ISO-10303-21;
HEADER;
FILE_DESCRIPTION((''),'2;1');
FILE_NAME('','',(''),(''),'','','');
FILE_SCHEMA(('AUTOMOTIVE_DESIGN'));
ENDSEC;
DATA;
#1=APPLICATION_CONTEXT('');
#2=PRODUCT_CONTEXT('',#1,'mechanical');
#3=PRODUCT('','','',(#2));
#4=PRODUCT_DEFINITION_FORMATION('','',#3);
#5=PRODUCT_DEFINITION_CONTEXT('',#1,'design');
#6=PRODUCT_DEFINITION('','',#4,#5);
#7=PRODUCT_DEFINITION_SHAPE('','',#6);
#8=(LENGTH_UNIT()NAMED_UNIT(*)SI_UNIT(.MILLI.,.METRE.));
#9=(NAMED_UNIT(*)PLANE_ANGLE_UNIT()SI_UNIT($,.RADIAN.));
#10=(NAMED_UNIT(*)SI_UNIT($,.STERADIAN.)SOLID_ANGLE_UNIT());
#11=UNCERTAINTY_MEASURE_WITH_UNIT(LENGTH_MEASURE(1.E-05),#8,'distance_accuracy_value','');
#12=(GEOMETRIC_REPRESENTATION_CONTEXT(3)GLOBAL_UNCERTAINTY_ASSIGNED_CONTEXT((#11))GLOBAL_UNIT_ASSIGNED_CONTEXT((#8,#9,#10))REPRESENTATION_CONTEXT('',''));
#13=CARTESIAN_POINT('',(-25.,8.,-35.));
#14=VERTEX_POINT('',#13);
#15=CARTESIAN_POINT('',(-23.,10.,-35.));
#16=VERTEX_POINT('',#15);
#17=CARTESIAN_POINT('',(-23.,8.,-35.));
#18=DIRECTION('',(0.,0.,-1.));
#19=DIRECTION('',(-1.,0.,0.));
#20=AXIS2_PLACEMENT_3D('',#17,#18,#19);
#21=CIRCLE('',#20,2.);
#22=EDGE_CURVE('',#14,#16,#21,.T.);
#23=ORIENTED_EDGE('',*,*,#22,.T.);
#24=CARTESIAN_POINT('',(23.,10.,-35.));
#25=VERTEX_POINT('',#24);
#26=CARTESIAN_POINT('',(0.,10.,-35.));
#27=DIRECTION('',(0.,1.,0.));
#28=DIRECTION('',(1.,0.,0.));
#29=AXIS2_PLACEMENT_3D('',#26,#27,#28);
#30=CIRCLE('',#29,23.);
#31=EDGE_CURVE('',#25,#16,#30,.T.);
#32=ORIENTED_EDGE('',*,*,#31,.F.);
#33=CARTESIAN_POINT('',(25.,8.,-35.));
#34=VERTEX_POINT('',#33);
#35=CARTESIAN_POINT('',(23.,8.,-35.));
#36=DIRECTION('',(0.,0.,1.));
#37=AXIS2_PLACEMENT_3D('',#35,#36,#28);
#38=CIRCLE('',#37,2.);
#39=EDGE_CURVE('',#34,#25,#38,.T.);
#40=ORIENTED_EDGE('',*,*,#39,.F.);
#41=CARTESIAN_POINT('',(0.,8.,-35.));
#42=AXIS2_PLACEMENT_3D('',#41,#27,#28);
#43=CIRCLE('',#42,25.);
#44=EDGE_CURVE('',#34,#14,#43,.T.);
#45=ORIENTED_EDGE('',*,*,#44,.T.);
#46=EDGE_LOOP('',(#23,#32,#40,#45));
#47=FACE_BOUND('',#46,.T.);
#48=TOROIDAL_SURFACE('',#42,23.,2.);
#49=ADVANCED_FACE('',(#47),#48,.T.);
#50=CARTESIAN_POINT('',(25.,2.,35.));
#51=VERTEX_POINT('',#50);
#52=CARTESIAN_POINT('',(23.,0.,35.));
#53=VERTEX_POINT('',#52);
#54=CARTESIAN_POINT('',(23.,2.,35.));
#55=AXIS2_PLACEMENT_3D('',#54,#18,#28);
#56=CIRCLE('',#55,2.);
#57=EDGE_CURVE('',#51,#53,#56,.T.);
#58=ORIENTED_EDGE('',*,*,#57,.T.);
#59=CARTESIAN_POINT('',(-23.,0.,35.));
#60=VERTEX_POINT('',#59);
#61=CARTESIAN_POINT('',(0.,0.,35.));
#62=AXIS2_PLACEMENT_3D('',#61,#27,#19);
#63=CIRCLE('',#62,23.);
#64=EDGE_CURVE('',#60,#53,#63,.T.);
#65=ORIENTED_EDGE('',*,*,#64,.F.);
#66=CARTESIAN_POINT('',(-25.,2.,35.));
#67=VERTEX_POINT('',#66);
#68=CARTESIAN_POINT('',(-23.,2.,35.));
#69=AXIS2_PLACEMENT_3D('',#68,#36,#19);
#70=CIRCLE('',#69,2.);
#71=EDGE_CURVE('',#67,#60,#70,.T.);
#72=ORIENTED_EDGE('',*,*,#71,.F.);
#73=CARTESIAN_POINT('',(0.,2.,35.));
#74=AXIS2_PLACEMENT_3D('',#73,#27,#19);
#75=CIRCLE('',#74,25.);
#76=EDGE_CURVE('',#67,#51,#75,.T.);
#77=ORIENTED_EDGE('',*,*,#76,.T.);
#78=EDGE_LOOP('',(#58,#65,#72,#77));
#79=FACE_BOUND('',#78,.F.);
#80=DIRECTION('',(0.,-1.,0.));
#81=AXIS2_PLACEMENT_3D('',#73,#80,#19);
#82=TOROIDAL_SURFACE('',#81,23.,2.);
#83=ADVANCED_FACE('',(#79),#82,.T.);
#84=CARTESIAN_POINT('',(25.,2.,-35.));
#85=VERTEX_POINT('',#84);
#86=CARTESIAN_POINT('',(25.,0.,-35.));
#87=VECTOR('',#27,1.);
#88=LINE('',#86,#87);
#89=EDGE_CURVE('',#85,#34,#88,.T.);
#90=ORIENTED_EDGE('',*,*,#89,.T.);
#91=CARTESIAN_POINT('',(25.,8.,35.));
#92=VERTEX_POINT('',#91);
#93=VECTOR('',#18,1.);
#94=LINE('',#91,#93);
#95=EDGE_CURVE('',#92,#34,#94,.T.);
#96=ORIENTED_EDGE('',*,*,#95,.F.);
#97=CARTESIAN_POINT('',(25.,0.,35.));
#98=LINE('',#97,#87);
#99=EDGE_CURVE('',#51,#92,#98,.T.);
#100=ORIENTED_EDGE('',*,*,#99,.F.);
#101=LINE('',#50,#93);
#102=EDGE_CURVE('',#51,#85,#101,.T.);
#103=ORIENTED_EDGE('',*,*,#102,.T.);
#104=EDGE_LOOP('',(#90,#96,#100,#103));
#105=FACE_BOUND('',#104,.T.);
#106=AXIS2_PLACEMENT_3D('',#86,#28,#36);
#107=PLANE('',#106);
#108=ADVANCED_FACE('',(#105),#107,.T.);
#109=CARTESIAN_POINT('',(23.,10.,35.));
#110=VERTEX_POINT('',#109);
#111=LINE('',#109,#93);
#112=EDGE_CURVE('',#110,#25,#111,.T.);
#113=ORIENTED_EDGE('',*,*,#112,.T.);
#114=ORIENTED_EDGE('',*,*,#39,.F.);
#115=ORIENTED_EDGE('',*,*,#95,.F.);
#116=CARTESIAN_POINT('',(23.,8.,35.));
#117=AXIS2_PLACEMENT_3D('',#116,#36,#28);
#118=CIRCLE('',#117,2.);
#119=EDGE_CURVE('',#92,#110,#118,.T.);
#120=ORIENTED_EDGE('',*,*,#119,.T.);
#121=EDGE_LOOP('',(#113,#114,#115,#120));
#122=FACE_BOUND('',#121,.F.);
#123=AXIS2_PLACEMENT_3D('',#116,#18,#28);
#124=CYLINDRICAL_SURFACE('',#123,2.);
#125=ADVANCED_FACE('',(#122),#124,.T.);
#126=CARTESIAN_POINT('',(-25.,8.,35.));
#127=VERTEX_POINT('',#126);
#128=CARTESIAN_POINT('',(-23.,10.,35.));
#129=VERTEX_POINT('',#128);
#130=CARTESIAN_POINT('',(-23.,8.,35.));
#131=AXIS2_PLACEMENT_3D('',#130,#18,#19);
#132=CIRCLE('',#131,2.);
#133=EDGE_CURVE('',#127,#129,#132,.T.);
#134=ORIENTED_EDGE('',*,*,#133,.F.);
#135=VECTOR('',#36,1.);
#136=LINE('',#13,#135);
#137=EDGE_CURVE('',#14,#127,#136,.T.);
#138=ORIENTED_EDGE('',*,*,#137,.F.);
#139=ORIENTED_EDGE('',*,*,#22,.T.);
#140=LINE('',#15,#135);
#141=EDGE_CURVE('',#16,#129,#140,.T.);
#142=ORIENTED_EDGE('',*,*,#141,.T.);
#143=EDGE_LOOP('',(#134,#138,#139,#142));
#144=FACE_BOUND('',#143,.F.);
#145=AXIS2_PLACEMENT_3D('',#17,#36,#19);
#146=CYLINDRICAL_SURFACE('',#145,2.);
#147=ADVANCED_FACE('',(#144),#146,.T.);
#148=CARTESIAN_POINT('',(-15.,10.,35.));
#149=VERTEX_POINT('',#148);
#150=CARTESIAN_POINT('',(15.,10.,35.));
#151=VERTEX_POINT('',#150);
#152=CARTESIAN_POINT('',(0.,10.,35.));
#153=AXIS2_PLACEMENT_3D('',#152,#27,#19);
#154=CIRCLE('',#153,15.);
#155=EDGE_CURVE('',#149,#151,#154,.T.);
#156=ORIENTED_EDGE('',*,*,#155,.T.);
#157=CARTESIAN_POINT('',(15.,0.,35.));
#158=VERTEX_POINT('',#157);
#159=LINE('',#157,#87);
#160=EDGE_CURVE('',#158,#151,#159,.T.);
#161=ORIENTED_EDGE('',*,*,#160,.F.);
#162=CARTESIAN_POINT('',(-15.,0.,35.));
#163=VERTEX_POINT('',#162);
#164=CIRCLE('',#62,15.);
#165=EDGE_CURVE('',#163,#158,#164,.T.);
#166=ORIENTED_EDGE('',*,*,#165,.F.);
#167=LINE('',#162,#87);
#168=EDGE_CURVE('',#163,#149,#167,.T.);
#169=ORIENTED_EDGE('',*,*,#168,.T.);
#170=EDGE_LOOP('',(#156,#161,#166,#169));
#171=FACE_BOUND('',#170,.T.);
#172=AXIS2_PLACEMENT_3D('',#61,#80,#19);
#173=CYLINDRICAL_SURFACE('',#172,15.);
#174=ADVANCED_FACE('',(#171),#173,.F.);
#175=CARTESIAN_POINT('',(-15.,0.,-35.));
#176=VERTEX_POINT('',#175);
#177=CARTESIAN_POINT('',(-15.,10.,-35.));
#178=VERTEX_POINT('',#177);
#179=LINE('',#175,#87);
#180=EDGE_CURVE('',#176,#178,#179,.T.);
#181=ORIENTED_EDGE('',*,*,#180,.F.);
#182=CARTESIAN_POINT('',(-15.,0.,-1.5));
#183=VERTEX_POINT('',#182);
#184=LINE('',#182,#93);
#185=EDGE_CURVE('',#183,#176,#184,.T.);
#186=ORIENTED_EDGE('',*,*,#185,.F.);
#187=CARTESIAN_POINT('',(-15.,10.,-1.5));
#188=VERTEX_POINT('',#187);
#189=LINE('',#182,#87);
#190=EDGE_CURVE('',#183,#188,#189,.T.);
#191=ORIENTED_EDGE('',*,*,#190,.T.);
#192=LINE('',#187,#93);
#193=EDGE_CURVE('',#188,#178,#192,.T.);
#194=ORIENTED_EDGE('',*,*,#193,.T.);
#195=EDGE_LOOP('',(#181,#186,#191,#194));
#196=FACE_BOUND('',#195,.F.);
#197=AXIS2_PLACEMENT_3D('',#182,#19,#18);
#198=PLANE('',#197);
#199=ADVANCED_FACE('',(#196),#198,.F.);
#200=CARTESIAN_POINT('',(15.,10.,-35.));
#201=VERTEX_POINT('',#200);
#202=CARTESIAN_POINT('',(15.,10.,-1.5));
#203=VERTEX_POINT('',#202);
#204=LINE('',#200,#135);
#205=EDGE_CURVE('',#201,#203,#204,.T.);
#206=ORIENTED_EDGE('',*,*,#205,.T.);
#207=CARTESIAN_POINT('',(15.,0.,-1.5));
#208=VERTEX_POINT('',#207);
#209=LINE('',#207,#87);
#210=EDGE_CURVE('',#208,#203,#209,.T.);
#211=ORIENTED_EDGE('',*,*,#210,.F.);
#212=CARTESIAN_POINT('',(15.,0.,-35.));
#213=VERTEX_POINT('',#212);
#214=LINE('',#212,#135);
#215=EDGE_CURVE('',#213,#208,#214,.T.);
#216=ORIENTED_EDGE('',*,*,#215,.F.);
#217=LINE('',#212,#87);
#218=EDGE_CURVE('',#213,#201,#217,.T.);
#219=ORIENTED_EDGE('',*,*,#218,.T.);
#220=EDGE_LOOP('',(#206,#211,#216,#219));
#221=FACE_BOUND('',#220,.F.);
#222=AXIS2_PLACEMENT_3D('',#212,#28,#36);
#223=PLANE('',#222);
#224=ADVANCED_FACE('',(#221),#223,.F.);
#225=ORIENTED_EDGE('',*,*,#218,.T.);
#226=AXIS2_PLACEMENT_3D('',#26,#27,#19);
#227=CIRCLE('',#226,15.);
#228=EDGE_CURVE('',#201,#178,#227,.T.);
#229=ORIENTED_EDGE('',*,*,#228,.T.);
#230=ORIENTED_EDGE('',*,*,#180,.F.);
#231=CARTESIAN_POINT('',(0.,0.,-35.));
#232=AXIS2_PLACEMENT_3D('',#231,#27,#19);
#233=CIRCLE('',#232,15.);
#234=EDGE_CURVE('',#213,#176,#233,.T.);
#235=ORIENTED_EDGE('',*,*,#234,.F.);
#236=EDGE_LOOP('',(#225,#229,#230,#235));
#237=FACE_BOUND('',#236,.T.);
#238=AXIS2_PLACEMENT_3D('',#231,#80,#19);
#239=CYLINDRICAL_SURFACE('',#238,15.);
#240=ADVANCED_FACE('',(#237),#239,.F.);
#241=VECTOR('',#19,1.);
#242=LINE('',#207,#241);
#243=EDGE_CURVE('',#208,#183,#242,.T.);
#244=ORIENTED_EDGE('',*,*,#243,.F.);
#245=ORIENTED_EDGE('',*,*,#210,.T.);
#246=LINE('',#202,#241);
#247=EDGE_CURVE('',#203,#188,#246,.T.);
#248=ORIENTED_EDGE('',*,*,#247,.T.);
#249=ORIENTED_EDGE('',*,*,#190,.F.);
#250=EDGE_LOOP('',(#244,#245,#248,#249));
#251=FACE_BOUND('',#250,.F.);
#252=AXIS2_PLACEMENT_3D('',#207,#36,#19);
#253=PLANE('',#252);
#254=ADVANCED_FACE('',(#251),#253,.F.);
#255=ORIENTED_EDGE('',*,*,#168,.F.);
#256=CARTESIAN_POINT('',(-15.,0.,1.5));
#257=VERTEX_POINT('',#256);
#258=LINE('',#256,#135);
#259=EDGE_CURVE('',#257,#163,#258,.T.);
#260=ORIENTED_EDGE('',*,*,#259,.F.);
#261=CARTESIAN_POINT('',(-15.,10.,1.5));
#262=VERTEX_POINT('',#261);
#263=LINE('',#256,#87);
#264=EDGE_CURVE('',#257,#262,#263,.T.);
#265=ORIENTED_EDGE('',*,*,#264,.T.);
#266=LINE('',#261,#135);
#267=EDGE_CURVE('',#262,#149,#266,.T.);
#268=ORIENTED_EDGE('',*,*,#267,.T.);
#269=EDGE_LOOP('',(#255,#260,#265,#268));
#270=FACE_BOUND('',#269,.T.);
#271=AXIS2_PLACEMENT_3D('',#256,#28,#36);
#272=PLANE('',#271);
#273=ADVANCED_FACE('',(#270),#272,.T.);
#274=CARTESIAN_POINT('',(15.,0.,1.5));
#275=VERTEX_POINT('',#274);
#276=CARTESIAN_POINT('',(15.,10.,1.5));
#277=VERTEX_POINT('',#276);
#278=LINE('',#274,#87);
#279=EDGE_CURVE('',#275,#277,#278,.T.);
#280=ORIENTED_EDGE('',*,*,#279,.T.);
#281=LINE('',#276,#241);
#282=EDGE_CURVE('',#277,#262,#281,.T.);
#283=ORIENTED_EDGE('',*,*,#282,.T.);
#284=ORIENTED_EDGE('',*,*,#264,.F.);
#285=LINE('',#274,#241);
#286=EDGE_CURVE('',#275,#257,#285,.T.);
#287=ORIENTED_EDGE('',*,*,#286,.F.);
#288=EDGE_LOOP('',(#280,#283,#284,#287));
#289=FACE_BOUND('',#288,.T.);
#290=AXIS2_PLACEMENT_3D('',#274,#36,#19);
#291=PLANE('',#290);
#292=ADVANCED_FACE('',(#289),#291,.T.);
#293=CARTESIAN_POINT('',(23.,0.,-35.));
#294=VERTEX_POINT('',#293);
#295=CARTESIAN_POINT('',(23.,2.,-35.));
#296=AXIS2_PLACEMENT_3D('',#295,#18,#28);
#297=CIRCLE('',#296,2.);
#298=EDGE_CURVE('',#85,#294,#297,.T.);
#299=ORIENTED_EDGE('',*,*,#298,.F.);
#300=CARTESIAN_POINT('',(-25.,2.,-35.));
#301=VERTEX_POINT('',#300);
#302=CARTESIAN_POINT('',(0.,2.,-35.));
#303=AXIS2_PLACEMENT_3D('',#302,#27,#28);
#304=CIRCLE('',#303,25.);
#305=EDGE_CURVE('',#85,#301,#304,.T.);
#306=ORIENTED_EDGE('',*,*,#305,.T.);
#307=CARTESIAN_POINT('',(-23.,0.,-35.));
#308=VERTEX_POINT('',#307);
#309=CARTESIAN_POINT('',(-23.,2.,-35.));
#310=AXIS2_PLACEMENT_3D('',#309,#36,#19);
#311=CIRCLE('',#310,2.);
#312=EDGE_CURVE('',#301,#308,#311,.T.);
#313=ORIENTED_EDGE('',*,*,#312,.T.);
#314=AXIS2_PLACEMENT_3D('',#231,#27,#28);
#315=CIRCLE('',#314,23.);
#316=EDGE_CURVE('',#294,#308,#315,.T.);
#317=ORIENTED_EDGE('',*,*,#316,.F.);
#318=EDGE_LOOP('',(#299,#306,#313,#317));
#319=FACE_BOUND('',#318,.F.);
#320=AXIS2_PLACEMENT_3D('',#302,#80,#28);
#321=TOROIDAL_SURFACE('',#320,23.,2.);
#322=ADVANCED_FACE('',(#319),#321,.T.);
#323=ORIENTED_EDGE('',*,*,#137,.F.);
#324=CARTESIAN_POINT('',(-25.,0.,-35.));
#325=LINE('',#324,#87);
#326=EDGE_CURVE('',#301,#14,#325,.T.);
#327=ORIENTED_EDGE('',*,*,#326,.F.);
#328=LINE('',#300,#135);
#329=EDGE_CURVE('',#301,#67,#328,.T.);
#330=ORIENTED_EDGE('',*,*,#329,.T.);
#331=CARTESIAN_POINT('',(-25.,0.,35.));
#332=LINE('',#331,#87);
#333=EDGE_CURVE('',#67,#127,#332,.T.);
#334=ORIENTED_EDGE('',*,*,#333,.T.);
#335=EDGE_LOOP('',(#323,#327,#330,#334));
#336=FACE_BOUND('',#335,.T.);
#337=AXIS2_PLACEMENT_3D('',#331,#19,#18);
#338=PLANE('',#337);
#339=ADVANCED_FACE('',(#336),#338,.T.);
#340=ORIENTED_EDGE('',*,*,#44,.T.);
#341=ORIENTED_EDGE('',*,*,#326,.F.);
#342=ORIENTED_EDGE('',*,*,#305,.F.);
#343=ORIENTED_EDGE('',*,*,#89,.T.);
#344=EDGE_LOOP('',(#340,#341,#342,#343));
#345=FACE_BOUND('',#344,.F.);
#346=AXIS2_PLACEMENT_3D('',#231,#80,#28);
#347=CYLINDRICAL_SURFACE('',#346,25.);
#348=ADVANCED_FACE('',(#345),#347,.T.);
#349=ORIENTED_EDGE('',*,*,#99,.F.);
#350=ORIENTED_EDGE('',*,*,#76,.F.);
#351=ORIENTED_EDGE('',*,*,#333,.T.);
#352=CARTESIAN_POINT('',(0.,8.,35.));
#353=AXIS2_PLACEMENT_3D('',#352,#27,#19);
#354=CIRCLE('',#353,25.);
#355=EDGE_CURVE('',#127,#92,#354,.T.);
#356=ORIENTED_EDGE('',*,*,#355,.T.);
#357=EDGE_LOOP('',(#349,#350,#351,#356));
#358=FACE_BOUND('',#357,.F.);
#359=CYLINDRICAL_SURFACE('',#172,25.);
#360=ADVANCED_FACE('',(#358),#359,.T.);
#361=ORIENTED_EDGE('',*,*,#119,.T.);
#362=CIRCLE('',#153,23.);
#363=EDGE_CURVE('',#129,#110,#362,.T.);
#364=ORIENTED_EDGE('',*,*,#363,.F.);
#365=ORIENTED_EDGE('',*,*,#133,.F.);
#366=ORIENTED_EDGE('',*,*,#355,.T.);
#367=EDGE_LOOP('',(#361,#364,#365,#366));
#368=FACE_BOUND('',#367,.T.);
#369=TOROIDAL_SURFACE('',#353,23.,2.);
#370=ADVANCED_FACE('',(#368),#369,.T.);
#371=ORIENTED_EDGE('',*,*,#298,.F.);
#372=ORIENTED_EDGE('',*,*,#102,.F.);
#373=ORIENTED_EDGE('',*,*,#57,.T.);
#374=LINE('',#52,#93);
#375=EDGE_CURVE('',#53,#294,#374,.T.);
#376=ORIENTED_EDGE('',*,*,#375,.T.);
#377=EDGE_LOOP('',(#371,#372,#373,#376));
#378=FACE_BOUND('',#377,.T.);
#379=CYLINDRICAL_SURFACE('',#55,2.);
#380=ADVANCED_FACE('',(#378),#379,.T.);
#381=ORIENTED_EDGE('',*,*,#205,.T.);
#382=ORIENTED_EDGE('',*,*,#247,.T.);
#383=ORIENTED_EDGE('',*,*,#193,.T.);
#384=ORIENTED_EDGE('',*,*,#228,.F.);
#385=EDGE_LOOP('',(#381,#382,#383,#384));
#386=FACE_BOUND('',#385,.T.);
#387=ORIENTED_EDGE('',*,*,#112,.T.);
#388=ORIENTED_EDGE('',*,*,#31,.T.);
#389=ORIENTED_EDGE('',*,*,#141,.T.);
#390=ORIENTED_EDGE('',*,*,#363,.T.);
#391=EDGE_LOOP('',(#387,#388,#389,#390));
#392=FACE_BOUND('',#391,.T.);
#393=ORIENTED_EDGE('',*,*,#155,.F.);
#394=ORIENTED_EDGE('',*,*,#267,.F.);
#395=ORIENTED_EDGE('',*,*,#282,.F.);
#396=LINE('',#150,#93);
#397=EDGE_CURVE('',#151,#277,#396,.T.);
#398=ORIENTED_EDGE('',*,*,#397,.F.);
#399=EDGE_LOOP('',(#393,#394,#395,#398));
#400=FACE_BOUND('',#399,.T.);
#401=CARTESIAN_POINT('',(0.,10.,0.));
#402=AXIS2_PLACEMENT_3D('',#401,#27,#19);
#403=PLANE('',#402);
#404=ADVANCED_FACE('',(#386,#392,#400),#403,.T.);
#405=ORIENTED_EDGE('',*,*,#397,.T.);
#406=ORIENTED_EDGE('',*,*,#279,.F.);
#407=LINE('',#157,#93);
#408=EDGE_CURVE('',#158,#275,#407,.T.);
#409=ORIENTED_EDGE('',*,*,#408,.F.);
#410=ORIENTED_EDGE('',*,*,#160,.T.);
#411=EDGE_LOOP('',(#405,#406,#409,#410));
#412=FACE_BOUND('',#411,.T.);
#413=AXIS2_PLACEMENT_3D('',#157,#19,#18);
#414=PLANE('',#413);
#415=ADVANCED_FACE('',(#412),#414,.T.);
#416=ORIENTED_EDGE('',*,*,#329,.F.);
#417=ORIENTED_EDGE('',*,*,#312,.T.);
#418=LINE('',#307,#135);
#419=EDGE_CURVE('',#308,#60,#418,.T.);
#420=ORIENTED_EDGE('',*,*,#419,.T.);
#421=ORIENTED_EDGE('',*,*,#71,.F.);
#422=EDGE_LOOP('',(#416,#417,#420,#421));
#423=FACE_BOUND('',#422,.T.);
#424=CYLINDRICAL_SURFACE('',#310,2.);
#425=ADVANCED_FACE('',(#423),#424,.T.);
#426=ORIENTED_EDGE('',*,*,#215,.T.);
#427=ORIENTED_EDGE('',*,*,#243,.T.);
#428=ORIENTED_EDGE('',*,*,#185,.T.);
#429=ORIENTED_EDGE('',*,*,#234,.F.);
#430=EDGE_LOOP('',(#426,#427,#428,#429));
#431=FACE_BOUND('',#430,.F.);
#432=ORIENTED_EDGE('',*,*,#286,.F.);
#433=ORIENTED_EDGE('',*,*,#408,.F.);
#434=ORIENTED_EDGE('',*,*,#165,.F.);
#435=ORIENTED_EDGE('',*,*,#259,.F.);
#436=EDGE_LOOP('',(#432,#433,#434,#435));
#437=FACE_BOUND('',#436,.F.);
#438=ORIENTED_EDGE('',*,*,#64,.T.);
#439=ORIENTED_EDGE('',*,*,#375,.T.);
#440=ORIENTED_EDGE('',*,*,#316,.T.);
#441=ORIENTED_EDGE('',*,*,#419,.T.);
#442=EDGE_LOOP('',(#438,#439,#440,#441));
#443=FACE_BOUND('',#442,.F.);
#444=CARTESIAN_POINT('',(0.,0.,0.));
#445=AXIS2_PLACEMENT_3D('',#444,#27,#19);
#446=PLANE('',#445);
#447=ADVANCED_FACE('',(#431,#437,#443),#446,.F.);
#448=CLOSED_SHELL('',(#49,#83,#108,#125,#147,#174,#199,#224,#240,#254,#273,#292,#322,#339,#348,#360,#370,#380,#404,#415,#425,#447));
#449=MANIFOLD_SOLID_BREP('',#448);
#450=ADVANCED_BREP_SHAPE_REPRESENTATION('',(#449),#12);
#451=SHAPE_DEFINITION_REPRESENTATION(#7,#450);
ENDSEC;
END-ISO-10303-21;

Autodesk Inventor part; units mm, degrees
ref_plane "YZ Plane" through (0, 0, 0) normal (1, 0, 0) x (0, 1, 0)
ref_plane "XZ Plane" through (0, 0, 0) normal (0, 1, 0) x (-1, 0, 0)
ref_plane "XY Plane" through (0, 0, 0) normal (0, 0, 1) x (1, 0, 0)
sketch "Boceto1" plane through (0, 0, 0) normal (0, 1, 0) x (-1, 0, 0)
  line L0 (0, 35) -> (0, -35) construction
  line L1 (25, 35) -> (25, -35)
  line L2 (-25, -35) -> (-25, 35)
  arc A0 (25, 35) -> (-25, 35) centre (0, 35) ccw
  arc A1 (-25, -35) -> (25, -35) centre (0, -35) ccw
  circle A2 centre (0, -35) radius 15
  circle A3 centre (0, 35) radius 15
  line L3 (0, -20) -> (0, -20)
  line L4 (15, -35) -> (-15, -35)
  line L5 (94.5074, 0) -> (-76.0102, 0) construction
  line L6 (15, 35) -> (-15, 35)
  line L7 (15, -35) -> (-15, -35)
  line L8 (-15, -35) -> (-15, -1.5)
  line L9 (-15, -1.5) -> (15, -1.5)
  line L10 (15, -1.5) -> (15, -35)
  line L11 (-15, 35) -> (-15, 1.5)
  line L12 (-15, 1.5) -> (15, 1.5)
  line L13 (15, 1.5) -> (15, 35)
  point P0 (0, 0)
  point P1 (0, 60)
  point P2 (0, -60)
  point P3 (0, -20)
  point P4 (15, 35)
  point P5 (15, 35)
  dimension "largo" = 120
  dimension "d1" = 50
  dimension "espesor_junta" = 10
  dimension "d3" = 10
  dimension "d6" = 0
  dimension "d9" = 1.5
extrude "Extrusión2" add sketch "Boceto1" along normal blind 10
fillet "Empalme1" radius 2 8 edges at (0, 10, 60) (25, 10, 0) (0, 10, -60) (-25, 10, 0) (0, 0, -60) (-25, 0, 0) (0, 0, 60) (25, 0, 0)
equation "\"d3\" = espesor_junta"
properties part number "mod2" material "Aluminio 6061"
